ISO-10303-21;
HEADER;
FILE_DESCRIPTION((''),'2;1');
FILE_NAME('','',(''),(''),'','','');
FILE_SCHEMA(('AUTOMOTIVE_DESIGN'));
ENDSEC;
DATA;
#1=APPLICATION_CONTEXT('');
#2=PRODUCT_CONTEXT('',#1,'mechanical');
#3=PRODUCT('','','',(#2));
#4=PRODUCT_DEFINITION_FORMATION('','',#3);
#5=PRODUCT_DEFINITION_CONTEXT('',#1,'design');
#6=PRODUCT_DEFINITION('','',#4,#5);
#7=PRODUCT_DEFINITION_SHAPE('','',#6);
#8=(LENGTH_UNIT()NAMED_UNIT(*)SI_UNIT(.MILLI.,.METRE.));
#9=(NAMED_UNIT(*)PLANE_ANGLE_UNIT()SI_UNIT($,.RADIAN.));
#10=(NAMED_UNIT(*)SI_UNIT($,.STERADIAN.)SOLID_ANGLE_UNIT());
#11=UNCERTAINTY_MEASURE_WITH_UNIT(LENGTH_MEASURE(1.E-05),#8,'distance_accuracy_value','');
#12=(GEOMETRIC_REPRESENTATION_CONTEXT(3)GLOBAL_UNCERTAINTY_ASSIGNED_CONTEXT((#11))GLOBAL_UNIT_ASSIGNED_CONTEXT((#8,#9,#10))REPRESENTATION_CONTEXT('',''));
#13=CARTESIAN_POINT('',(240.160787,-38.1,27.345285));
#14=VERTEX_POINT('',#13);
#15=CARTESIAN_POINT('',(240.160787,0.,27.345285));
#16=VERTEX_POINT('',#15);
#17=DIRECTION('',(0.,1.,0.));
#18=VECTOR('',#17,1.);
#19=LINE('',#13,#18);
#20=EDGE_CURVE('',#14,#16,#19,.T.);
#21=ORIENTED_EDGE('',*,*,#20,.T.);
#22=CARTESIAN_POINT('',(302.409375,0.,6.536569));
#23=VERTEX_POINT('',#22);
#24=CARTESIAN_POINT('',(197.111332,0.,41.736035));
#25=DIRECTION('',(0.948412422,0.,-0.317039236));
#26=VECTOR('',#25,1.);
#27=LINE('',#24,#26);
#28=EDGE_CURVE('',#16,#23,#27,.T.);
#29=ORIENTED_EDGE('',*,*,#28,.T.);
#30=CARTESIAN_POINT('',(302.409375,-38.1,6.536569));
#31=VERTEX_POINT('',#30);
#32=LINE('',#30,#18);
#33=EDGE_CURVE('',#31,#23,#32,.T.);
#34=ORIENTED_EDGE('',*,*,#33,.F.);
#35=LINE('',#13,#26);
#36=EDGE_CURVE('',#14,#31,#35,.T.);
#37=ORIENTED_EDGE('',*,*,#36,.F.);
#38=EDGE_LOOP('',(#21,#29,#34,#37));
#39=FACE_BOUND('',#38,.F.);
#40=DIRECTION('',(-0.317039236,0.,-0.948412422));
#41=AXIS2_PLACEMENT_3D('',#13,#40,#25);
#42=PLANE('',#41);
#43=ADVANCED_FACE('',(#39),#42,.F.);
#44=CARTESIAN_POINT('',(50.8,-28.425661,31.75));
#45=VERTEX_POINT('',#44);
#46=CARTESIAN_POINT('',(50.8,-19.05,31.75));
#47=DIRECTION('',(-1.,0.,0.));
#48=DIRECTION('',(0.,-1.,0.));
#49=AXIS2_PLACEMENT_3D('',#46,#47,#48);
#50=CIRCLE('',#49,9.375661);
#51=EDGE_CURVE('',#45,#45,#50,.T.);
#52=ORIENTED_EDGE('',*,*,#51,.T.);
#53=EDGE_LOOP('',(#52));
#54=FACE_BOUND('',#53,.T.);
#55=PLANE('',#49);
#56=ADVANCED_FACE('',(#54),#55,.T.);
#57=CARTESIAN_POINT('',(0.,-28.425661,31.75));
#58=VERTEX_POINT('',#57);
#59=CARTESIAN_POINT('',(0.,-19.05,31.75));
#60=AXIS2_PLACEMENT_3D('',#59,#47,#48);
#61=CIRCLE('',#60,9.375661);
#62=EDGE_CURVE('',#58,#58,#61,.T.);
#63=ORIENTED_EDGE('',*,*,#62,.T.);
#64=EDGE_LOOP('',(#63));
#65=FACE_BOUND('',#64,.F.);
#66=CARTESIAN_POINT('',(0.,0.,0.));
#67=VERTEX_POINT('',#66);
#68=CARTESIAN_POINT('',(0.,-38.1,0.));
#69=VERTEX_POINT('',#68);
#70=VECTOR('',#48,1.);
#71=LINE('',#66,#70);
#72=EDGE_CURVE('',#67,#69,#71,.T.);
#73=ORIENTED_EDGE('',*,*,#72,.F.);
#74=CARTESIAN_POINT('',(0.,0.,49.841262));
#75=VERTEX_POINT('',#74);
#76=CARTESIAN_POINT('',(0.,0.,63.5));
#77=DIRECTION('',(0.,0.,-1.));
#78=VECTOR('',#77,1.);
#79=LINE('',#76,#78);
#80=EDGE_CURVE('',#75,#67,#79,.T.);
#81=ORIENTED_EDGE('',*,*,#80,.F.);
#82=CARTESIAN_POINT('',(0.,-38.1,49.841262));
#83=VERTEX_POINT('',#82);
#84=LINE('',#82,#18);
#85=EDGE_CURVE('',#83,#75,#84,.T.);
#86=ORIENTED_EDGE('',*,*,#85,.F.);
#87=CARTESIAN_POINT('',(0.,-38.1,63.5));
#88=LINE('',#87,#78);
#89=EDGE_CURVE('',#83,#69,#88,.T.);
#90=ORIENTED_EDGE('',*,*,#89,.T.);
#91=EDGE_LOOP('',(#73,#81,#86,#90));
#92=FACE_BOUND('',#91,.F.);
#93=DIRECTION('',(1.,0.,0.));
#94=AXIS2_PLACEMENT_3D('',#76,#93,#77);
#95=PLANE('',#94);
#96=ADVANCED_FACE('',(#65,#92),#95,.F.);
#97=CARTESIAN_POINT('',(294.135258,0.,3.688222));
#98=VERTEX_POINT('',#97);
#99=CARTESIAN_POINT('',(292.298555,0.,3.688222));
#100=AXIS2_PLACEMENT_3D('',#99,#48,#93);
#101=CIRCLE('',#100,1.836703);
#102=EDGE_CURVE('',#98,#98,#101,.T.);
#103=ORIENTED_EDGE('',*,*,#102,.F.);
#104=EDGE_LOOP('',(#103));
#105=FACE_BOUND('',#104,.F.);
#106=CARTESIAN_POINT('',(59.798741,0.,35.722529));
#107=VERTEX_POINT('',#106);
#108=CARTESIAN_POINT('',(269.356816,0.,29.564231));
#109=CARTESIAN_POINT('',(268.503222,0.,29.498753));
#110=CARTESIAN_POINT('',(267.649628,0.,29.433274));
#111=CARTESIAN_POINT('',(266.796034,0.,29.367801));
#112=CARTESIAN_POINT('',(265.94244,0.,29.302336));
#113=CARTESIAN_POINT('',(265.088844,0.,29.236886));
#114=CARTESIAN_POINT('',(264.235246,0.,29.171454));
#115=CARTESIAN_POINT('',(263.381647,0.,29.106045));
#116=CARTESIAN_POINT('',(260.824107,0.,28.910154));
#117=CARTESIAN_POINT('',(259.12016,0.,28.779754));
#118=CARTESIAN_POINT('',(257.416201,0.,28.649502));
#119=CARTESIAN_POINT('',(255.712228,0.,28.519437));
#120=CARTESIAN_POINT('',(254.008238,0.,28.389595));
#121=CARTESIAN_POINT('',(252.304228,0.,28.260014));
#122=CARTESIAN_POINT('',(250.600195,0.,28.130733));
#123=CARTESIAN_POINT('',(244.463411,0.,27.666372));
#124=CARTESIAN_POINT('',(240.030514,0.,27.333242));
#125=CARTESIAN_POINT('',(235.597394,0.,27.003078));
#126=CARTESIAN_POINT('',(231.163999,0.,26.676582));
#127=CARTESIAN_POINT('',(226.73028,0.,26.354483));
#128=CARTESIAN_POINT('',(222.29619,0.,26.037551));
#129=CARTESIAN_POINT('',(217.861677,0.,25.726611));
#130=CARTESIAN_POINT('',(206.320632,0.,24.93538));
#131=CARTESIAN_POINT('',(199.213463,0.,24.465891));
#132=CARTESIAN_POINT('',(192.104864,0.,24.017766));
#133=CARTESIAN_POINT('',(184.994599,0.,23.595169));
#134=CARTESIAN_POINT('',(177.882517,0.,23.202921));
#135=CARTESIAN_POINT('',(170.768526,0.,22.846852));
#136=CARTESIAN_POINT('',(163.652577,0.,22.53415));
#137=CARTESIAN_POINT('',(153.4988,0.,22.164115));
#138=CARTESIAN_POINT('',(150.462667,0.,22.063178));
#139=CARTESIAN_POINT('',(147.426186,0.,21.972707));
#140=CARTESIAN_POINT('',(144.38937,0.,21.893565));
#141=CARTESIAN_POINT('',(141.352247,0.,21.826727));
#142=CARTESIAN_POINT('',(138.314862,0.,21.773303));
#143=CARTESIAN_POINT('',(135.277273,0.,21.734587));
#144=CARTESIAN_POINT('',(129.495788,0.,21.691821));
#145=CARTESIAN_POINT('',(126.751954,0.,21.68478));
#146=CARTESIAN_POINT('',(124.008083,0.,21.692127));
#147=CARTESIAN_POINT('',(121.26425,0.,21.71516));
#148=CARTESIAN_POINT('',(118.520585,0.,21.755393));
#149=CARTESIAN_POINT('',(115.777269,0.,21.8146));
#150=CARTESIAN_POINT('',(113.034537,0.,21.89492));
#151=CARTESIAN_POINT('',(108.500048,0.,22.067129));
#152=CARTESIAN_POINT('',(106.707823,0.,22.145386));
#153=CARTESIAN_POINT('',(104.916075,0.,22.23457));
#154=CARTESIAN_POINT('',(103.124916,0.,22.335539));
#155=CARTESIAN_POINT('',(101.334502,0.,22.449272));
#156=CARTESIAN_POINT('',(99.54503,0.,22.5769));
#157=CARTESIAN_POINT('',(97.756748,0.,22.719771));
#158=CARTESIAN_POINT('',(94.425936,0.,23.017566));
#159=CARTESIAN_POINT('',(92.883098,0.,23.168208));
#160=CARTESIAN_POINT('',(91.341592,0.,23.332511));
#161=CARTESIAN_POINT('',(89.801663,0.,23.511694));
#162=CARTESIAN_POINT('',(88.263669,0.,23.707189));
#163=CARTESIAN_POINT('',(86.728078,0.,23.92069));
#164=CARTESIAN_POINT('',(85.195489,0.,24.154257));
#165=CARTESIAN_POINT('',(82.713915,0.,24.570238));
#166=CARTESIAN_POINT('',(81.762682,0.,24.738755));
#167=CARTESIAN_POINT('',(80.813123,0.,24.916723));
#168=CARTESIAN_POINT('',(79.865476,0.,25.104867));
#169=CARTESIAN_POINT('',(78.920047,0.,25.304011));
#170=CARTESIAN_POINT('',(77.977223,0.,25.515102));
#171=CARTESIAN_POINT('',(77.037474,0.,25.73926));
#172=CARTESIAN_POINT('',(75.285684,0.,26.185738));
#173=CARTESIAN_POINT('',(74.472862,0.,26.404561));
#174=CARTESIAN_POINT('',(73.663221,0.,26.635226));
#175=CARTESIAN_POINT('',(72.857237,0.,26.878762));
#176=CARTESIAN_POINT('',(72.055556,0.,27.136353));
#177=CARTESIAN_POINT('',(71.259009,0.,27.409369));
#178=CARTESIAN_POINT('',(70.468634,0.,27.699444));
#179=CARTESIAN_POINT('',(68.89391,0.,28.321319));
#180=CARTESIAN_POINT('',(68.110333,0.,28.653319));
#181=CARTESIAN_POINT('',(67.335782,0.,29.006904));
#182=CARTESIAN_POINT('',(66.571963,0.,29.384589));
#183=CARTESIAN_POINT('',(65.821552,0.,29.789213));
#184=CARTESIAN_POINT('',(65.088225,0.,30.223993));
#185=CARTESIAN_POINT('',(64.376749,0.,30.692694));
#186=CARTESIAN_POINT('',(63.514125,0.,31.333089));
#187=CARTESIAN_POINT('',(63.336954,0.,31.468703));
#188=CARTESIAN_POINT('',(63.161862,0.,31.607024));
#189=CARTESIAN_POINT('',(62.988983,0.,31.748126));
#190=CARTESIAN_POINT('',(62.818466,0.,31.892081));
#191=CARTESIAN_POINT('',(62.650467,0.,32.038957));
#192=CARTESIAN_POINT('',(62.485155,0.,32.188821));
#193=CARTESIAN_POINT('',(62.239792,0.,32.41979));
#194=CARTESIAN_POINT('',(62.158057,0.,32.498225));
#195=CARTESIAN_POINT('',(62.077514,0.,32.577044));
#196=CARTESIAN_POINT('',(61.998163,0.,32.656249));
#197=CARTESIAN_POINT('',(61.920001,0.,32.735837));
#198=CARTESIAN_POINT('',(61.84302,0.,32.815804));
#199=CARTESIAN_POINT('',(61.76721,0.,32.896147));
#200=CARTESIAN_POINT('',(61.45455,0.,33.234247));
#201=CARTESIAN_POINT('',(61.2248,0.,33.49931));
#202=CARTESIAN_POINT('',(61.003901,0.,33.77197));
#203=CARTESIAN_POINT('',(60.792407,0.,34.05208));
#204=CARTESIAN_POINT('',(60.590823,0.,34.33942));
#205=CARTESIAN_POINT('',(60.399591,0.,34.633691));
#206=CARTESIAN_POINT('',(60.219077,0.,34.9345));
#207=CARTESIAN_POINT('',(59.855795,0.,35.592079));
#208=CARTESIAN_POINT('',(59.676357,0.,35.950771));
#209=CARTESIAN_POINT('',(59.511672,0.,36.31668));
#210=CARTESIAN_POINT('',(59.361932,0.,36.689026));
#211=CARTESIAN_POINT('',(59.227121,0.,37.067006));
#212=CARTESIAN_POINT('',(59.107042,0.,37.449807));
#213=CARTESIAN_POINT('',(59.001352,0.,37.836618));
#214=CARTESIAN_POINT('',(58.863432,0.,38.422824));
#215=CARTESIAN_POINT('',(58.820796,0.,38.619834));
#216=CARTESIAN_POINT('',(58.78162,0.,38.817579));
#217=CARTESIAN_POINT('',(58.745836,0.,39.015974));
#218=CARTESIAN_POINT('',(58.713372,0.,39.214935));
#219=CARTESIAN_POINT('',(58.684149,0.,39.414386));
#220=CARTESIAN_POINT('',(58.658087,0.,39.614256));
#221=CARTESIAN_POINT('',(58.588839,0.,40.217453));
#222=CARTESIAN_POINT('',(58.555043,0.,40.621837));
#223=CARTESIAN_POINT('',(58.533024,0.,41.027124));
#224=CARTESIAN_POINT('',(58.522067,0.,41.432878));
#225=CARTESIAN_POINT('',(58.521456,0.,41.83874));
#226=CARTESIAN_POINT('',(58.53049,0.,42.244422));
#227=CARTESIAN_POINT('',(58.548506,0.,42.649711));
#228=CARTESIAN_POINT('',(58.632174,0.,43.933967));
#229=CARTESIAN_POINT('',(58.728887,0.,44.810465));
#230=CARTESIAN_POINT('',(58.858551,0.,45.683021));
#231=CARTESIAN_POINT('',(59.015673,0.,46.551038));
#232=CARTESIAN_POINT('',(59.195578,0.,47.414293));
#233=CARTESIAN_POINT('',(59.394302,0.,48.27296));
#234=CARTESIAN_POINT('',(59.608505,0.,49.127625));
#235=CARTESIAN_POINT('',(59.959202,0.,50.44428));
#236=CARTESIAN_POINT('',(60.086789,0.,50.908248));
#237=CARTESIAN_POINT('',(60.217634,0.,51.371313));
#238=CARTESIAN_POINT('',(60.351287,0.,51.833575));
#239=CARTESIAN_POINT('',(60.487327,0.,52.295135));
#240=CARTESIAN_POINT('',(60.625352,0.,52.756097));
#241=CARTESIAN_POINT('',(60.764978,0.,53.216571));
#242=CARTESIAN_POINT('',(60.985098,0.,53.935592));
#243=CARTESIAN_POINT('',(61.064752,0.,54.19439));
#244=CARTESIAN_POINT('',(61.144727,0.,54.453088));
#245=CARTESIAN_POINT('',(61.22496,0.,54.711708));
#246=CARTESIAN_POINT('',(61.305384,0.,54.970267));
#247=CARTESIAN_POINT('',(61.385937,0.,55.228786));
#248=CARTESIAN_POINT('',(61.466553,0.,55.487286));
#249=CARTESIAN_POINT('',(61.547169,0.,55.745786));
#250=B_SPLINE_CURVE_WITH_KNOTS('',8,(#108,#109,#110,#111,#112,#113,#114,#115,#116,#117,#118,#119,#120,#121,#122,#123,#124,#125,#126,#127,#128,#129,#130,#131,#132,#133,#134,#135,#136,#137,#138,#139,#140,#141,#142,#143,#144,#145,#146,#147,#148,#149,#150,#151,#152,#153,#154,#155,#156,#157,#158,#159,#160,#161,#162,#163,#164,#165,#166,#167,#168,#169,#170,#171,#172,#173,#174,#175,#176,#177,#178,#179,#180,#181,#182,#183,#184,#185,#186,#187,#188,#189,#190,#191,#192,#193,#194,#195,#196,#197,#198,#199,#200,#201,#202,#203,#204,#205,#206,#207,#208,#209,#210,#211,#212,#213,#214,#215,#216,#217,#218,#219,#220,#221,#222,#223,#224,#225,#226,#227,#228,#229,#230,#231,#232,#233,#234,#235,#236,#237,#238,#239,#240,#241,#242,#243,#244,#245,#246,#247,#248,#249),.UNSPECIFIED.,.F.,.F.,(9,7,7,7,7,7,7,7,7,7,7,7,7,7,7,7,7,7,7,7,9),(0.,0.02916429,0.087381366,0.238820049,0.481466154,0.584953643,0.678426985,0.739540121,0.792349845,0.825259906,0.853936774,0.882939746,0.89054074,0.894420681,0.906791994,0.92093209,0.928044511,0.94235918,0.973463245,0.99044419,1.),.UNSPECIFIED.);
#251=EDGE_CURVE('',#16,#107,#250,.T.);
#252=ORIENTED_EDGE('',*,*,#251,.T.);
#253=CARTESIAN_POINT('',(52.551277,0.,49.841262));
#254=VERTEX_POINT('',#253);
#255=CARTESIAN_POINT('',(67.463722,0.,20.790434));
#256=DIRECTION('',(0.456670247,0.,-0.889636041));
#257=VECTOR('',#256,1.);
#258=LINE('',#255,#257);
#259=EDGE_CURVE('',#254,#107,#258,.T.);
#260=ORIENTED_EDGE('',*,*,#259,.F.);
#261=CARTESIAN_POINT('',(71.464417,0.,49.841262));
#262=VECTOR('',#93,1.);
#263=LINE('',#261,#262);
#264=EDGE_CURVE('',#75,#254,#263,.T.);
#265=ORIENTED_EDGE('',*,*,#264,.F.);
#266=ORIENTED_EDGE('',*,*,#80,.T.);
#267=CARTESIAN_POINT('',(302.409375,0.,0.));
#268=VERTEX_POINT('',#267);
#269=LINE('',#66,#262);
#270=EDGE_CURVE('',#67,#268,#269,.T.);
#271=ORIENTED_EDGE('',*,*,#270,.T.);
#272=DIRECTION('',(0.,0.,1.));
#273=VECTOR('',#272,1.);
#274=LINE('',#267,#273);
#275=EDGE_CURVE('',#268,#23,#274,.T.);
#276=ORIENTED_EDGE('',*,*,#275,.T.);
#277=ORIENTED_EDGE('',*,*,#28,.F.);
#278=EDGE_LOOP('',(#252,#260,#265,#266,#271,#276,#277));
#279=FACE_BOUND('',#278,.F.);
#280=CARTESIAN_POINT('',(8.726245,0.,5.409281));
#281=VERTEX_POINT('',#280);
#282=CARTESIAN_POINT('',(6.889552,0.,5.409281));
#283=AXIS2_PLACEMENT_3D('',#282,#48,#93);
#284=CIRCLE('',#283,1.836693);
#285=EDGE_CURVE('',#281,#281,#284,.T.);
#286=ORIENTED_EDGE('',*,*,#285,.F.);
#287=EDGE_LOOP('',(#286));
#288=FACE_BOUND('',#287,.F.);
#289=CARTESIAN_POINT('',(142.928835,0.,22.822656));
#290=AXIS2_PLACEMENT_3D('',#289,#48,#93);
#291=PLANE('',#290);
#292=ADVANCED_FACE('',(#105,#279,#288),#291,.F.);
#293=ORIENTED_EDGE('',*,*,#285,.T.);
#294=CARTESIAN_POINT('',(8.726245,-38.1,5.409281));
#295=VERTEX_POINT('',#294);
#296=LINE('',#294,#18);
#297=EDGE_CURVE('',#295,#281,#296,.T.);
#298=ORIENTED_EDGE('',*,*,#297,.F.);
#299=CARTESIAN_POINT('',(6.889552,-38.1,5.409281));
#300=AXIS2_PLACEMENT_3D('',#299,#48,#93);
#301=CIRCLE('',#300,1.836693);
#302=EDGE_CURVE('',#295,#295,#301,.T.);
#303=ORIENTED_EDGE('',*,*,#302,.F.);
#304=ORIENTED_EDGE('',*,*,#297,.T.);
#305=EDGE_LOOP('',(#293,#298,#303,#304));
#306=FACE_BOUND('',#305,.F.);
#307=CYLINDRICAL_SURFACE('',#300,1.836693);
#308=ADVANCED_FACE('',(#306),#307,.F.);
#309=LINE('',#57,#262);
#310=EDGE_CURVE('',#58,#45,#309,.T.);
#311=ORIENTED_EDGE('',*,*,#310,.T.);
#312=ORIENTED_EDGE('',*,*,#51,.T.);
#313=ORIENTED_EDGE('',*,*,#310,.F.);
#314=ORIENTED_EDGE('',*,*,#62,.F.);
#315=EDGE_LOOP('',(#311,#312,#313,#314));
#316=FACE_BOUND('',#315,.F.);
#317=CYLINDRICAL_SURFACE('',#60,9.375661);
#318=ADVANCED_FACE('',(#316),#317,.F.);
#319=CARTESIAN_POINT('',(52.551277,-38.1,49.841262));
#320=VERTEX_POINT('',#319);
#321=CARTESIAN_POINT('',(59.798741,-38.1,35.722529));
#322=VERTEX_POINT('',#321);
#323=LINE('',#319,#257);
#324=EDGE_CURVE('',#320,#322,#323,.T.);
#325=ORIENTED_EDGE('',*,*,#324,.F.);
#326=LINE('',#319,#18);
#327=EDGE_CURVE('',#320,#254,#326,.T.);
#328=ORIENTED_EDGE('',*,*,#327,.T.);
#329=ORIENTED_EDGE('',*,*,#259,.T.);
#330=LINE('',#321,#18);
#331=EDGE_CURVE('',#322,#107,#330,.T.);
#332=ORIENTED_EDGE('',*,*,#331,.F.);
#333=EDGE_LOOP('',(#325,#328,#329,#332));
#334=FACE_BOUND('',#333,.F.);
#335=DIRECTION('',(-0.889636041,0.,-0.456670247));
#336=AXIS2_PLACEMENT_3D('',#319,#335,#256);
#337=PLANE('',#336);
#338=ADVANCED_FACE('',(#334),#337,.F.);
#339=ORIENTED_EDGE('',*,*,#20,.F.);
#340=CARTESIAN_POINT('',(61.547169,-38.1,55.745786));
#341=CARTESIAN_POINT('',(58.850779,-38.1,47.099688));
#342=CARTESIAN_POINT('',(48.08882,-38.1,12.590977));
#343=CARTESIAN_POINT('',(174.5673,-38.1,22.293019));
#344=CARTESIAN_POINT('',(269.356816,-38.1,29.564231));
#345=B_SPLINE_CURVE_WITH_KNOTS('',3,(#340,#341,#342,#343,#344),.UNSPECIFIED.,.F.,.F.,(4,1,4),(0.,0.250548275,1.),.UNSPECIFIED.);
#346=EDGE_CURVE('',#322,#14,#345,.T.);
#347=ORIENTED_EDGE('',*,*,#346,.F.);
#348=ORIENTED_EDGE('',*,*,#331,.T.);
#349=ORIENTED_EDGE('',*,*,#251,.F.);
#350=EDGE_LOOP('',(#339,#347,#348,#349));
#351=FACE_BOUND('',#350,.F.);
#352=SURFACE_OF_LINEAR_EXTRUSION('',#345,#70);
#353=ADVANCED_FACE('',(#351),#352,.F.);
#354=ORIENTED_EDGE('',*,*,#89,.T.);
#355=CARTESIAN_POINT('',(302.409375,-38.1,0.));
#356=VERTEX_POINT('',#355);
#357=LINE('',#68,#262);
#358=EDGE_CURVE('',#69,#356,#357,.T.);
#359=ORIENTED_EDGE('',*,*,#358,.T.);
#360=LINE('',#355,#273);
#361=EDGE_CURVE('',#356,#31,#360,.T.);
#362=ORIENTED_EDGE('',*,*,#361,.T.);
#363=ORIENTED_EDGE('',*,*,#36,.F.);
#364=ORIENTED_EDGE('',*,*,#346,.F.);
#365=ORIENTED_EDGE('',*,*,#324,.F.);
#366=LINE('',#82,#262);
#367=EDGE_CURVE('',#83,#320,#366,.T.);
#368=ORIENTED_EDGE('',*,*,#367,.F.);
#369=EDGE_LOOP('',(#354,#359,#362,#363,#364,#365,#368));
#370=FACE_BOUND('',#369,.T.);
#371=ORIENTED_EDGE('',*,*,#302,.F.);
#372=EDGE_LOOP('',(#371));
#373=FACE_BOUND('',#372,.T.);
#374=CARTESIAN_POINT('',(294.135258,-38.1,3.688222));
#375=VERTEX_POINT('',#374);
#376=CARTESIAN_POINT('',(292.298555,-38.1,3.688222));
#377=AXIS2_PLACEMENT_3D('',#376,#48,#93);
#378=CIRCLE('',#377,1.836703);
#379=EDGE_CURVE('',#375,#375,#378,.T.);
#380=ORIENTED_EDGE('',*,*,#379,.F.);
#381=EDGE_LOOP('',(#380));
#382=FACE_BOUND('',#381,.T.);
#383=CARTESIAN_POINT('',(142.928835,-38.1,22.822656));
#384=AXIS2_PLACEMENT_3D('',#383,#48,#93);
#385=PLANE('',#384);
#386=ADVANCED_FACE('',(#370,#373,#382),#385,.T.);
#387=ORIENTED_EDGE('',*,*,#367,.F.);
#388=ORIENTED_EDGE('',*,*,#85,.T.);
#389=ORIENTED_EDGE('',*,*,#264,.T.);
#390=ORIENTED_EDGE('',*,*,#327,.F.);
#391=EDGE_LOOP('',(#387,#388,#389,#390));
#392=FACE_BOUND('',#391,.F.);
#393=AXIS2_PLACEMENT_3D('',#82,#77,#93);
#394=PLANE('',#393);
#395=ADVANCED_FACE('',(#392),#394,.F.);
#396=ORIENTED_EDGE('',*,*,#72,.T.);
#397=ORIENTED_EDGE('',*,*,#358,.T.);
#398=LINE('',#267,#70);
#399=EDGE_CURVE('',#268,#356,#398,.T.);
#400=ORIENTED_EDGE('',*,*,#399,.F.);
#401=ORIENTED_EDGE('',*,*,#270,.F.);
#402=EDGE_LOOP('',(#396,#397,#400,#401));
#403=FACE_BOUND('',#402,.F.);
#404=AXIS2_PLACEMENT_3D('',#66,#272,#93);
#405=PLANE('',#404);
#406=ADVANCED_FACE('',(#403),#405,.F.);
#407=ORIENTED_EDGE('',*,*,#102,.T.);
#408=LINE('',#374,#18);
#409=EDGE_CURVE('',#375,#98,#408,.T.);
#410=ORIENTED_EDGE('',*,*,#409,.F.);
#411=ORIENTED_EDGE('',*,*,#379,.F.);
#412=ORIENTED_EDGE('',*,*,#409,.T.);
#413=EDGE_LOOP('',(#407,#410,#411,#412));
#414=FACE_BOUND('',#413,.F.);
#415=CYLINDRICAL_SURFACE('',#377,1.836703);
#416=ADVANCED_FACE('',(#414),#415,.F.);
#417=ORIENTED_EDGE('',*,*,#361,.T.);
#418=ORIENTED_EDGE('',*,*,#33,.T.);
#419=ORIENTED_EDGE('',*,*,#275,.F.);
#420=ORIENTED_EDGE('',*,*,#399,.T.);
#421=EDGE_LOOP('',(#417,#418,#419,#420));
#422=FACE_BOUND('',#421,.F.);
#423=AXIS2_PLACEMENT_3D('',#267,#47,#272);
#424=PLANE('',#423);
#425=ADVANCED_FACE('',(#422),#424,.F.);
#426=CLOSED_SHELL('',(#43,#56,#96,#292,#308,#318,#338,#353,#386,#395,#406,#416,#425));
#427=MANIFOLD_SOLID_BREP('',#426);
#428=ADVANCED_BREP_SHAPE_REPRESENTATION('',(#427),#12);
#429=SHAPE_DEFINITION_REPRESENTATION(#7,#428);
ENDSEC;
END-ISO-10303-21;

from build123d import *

# Parameters (mm, degrees)
F1_DEPTH  = 38.1
F2_R      = 9.3756609964
F3_DEPTH  = 50.8
F5_DEPTH  = 76.2
F7_DEPTH  = 76.2
F9_DEPTH  = 76.2
F11_DEPTH = 76.2
F13_DEPTH = 76.2
F14_R     = 1.8366933485
F16_DEPTH = 76.2
F15_R     = 1.8367030573
F17_DEPTH = 76.2


with BuildPart() as f1:
    # F0 (on Front) → F1 (new body)
    with BuildSketch(Plane.XZ):
        Polygon((0, 63.5), (0, 0), (302.4093748547, 0), (302.4093748547, 25.4), align=None)
    extrude(amount=F1_DEPTH)

    # F2 (on face) → F3 (cut)
    with BuildSketch(Plane(origin=(0, 0, 0), x_dir=(0, -1, 0), z_dir=(-1, 0, 0))):
        with Locations((19.05, 31.75)):
            Circle(F2_R)
    extrude(amount=-F3_DEPTH, mode=Mode.SUBTRACT)

    # F4 (on face) → F5 (cut)
    with BuildSketch(Plane.XZ.offset(38.1)):
        with BuildLine():
            Line((269.3568159992, 29.5642309965), (61.5471690917, 55.7457855564))
            add(Edge.make_bspline(
                [(61.5471690917, 55.7457855564), (58.8507788185, 47.0996876999), (48.0888197805, 12.590977334), (174.5673004743, 22.2930190768), (269.3568159992, 29.5642309965)],
                knots=[0, 0, 0, 0, 0.2505482751, 1, 1, 1, 1], degree=3))
        make_face()
    extrude(amount=-F5_DEPTH, mode=Mode.SUBTRACT)

    # F6 (on face) → F7 (cut)
    with BuildSketch(Plane.XZ.offset(38.1)):
        with BuildLine():
            Line((0, 63.5), (0, 49.8412624001))
            Line((0, 49.8412624001), (59.7987414655, 49.8412624001))
            add(Edge.make_bspline(
                [(61.5471690917, 55.7457855564), (60.9299090319, 53.7665131444), (60.3126489722, 51.7872407325), (59.7987414655, 49.8412624001)],
                knots=[0, 0, 0, 0, 0.057355734, 0.057355734, 0.057355734, 0.057355734], degree=3))
            Line((61.5471690917, 55.7457855564), (0, 63.5))
        make_face()
    extrude(amount=-F7_DEPTH, mode=Mode.SUBTRACT)

    # F8 (on face) → F9 (cut)
    with BuildSketch(Plane.XZ.offset(38.1)):
        with BuildLine():
            Line((59.7987414655, 49.8412624001), (52.5512769818, 49.8412624001))
            Line((52.5512769818, 49.8412624001), (59.7987414652, 35.7225287025))
            add(Edge.make_bspline(
                [(59.7987414655, 49.8412624001), (58.4403182232, 44.6974142144), (57.8040351338, 39.7861968724), (59.7987414652, 35.7225287025)],
                knots=[0.057355734, 0.057355734, 0.057355734, 0.057355734, 0.2089654324, 0.2089654324, 0.2089654324, 0.2089654324], degree=3))
        make_face()
    extrude(amount=-F9_DEPTH, mode=Mode.SUBTRACT)

    # F10 (on face) → F11 (cut)
    with BuildSketch(Plane.XZ.offset(38.1)):
        Polygon((302.4093748547, 25.4), (269.3568159992, 29.5642309965), (302.4093748547, 6.536568515), align=None)
    extrude(amount=-F11_DEPTH, mode=Mode.SUBTRACT)

    # F12 (on face) → F13 (cut)
    with BuildSketch(Plane.XZ.offset(38.1)):
        with BuildLine():
            add(Edge.make_bspline(
                [(240.1607868718, 27.3452845776), (249.8366976467, 28.0668616255), (259.596756823, 28.815546311), (269.3568159992, 29.5642309965)],
                knots=[0.9228322548, 0.9228322548, 0.9228322548, 0.9228322548, 1, 1, 1, 1], degree=3))
            Line((240.1607868718, 27.3452845776), (302.4093748547, 6.536568515))
            Line((302.4093748547, 6.536568515), (269.3568159992, 29.5642309965))
        make_face()
    extrude(amount=-F13_DEPTH, mode=Mode.SUBTRACT)

    # F14 (on face) → F16 (cut)
    with BuildSketch(Plane.XZ.offset(38.1)):
        with Locations((6.889551878, 5.4092812352)):
            Circle(F14_R)
    extrude(amount=-F16_DEPTH, mode=Mode.SUBTRACT)

    # F15 (on face) → F17 (cut)
    with BuildSketch(Plane.XZ.offset(38.1)):
        with Locations((292.2985553741, 3.6882217973)):
            Circle(F15_R)
    extrude(amount=-F17_DEPTH, mode=Mode.SUBTRACT)


solid = f1.part
